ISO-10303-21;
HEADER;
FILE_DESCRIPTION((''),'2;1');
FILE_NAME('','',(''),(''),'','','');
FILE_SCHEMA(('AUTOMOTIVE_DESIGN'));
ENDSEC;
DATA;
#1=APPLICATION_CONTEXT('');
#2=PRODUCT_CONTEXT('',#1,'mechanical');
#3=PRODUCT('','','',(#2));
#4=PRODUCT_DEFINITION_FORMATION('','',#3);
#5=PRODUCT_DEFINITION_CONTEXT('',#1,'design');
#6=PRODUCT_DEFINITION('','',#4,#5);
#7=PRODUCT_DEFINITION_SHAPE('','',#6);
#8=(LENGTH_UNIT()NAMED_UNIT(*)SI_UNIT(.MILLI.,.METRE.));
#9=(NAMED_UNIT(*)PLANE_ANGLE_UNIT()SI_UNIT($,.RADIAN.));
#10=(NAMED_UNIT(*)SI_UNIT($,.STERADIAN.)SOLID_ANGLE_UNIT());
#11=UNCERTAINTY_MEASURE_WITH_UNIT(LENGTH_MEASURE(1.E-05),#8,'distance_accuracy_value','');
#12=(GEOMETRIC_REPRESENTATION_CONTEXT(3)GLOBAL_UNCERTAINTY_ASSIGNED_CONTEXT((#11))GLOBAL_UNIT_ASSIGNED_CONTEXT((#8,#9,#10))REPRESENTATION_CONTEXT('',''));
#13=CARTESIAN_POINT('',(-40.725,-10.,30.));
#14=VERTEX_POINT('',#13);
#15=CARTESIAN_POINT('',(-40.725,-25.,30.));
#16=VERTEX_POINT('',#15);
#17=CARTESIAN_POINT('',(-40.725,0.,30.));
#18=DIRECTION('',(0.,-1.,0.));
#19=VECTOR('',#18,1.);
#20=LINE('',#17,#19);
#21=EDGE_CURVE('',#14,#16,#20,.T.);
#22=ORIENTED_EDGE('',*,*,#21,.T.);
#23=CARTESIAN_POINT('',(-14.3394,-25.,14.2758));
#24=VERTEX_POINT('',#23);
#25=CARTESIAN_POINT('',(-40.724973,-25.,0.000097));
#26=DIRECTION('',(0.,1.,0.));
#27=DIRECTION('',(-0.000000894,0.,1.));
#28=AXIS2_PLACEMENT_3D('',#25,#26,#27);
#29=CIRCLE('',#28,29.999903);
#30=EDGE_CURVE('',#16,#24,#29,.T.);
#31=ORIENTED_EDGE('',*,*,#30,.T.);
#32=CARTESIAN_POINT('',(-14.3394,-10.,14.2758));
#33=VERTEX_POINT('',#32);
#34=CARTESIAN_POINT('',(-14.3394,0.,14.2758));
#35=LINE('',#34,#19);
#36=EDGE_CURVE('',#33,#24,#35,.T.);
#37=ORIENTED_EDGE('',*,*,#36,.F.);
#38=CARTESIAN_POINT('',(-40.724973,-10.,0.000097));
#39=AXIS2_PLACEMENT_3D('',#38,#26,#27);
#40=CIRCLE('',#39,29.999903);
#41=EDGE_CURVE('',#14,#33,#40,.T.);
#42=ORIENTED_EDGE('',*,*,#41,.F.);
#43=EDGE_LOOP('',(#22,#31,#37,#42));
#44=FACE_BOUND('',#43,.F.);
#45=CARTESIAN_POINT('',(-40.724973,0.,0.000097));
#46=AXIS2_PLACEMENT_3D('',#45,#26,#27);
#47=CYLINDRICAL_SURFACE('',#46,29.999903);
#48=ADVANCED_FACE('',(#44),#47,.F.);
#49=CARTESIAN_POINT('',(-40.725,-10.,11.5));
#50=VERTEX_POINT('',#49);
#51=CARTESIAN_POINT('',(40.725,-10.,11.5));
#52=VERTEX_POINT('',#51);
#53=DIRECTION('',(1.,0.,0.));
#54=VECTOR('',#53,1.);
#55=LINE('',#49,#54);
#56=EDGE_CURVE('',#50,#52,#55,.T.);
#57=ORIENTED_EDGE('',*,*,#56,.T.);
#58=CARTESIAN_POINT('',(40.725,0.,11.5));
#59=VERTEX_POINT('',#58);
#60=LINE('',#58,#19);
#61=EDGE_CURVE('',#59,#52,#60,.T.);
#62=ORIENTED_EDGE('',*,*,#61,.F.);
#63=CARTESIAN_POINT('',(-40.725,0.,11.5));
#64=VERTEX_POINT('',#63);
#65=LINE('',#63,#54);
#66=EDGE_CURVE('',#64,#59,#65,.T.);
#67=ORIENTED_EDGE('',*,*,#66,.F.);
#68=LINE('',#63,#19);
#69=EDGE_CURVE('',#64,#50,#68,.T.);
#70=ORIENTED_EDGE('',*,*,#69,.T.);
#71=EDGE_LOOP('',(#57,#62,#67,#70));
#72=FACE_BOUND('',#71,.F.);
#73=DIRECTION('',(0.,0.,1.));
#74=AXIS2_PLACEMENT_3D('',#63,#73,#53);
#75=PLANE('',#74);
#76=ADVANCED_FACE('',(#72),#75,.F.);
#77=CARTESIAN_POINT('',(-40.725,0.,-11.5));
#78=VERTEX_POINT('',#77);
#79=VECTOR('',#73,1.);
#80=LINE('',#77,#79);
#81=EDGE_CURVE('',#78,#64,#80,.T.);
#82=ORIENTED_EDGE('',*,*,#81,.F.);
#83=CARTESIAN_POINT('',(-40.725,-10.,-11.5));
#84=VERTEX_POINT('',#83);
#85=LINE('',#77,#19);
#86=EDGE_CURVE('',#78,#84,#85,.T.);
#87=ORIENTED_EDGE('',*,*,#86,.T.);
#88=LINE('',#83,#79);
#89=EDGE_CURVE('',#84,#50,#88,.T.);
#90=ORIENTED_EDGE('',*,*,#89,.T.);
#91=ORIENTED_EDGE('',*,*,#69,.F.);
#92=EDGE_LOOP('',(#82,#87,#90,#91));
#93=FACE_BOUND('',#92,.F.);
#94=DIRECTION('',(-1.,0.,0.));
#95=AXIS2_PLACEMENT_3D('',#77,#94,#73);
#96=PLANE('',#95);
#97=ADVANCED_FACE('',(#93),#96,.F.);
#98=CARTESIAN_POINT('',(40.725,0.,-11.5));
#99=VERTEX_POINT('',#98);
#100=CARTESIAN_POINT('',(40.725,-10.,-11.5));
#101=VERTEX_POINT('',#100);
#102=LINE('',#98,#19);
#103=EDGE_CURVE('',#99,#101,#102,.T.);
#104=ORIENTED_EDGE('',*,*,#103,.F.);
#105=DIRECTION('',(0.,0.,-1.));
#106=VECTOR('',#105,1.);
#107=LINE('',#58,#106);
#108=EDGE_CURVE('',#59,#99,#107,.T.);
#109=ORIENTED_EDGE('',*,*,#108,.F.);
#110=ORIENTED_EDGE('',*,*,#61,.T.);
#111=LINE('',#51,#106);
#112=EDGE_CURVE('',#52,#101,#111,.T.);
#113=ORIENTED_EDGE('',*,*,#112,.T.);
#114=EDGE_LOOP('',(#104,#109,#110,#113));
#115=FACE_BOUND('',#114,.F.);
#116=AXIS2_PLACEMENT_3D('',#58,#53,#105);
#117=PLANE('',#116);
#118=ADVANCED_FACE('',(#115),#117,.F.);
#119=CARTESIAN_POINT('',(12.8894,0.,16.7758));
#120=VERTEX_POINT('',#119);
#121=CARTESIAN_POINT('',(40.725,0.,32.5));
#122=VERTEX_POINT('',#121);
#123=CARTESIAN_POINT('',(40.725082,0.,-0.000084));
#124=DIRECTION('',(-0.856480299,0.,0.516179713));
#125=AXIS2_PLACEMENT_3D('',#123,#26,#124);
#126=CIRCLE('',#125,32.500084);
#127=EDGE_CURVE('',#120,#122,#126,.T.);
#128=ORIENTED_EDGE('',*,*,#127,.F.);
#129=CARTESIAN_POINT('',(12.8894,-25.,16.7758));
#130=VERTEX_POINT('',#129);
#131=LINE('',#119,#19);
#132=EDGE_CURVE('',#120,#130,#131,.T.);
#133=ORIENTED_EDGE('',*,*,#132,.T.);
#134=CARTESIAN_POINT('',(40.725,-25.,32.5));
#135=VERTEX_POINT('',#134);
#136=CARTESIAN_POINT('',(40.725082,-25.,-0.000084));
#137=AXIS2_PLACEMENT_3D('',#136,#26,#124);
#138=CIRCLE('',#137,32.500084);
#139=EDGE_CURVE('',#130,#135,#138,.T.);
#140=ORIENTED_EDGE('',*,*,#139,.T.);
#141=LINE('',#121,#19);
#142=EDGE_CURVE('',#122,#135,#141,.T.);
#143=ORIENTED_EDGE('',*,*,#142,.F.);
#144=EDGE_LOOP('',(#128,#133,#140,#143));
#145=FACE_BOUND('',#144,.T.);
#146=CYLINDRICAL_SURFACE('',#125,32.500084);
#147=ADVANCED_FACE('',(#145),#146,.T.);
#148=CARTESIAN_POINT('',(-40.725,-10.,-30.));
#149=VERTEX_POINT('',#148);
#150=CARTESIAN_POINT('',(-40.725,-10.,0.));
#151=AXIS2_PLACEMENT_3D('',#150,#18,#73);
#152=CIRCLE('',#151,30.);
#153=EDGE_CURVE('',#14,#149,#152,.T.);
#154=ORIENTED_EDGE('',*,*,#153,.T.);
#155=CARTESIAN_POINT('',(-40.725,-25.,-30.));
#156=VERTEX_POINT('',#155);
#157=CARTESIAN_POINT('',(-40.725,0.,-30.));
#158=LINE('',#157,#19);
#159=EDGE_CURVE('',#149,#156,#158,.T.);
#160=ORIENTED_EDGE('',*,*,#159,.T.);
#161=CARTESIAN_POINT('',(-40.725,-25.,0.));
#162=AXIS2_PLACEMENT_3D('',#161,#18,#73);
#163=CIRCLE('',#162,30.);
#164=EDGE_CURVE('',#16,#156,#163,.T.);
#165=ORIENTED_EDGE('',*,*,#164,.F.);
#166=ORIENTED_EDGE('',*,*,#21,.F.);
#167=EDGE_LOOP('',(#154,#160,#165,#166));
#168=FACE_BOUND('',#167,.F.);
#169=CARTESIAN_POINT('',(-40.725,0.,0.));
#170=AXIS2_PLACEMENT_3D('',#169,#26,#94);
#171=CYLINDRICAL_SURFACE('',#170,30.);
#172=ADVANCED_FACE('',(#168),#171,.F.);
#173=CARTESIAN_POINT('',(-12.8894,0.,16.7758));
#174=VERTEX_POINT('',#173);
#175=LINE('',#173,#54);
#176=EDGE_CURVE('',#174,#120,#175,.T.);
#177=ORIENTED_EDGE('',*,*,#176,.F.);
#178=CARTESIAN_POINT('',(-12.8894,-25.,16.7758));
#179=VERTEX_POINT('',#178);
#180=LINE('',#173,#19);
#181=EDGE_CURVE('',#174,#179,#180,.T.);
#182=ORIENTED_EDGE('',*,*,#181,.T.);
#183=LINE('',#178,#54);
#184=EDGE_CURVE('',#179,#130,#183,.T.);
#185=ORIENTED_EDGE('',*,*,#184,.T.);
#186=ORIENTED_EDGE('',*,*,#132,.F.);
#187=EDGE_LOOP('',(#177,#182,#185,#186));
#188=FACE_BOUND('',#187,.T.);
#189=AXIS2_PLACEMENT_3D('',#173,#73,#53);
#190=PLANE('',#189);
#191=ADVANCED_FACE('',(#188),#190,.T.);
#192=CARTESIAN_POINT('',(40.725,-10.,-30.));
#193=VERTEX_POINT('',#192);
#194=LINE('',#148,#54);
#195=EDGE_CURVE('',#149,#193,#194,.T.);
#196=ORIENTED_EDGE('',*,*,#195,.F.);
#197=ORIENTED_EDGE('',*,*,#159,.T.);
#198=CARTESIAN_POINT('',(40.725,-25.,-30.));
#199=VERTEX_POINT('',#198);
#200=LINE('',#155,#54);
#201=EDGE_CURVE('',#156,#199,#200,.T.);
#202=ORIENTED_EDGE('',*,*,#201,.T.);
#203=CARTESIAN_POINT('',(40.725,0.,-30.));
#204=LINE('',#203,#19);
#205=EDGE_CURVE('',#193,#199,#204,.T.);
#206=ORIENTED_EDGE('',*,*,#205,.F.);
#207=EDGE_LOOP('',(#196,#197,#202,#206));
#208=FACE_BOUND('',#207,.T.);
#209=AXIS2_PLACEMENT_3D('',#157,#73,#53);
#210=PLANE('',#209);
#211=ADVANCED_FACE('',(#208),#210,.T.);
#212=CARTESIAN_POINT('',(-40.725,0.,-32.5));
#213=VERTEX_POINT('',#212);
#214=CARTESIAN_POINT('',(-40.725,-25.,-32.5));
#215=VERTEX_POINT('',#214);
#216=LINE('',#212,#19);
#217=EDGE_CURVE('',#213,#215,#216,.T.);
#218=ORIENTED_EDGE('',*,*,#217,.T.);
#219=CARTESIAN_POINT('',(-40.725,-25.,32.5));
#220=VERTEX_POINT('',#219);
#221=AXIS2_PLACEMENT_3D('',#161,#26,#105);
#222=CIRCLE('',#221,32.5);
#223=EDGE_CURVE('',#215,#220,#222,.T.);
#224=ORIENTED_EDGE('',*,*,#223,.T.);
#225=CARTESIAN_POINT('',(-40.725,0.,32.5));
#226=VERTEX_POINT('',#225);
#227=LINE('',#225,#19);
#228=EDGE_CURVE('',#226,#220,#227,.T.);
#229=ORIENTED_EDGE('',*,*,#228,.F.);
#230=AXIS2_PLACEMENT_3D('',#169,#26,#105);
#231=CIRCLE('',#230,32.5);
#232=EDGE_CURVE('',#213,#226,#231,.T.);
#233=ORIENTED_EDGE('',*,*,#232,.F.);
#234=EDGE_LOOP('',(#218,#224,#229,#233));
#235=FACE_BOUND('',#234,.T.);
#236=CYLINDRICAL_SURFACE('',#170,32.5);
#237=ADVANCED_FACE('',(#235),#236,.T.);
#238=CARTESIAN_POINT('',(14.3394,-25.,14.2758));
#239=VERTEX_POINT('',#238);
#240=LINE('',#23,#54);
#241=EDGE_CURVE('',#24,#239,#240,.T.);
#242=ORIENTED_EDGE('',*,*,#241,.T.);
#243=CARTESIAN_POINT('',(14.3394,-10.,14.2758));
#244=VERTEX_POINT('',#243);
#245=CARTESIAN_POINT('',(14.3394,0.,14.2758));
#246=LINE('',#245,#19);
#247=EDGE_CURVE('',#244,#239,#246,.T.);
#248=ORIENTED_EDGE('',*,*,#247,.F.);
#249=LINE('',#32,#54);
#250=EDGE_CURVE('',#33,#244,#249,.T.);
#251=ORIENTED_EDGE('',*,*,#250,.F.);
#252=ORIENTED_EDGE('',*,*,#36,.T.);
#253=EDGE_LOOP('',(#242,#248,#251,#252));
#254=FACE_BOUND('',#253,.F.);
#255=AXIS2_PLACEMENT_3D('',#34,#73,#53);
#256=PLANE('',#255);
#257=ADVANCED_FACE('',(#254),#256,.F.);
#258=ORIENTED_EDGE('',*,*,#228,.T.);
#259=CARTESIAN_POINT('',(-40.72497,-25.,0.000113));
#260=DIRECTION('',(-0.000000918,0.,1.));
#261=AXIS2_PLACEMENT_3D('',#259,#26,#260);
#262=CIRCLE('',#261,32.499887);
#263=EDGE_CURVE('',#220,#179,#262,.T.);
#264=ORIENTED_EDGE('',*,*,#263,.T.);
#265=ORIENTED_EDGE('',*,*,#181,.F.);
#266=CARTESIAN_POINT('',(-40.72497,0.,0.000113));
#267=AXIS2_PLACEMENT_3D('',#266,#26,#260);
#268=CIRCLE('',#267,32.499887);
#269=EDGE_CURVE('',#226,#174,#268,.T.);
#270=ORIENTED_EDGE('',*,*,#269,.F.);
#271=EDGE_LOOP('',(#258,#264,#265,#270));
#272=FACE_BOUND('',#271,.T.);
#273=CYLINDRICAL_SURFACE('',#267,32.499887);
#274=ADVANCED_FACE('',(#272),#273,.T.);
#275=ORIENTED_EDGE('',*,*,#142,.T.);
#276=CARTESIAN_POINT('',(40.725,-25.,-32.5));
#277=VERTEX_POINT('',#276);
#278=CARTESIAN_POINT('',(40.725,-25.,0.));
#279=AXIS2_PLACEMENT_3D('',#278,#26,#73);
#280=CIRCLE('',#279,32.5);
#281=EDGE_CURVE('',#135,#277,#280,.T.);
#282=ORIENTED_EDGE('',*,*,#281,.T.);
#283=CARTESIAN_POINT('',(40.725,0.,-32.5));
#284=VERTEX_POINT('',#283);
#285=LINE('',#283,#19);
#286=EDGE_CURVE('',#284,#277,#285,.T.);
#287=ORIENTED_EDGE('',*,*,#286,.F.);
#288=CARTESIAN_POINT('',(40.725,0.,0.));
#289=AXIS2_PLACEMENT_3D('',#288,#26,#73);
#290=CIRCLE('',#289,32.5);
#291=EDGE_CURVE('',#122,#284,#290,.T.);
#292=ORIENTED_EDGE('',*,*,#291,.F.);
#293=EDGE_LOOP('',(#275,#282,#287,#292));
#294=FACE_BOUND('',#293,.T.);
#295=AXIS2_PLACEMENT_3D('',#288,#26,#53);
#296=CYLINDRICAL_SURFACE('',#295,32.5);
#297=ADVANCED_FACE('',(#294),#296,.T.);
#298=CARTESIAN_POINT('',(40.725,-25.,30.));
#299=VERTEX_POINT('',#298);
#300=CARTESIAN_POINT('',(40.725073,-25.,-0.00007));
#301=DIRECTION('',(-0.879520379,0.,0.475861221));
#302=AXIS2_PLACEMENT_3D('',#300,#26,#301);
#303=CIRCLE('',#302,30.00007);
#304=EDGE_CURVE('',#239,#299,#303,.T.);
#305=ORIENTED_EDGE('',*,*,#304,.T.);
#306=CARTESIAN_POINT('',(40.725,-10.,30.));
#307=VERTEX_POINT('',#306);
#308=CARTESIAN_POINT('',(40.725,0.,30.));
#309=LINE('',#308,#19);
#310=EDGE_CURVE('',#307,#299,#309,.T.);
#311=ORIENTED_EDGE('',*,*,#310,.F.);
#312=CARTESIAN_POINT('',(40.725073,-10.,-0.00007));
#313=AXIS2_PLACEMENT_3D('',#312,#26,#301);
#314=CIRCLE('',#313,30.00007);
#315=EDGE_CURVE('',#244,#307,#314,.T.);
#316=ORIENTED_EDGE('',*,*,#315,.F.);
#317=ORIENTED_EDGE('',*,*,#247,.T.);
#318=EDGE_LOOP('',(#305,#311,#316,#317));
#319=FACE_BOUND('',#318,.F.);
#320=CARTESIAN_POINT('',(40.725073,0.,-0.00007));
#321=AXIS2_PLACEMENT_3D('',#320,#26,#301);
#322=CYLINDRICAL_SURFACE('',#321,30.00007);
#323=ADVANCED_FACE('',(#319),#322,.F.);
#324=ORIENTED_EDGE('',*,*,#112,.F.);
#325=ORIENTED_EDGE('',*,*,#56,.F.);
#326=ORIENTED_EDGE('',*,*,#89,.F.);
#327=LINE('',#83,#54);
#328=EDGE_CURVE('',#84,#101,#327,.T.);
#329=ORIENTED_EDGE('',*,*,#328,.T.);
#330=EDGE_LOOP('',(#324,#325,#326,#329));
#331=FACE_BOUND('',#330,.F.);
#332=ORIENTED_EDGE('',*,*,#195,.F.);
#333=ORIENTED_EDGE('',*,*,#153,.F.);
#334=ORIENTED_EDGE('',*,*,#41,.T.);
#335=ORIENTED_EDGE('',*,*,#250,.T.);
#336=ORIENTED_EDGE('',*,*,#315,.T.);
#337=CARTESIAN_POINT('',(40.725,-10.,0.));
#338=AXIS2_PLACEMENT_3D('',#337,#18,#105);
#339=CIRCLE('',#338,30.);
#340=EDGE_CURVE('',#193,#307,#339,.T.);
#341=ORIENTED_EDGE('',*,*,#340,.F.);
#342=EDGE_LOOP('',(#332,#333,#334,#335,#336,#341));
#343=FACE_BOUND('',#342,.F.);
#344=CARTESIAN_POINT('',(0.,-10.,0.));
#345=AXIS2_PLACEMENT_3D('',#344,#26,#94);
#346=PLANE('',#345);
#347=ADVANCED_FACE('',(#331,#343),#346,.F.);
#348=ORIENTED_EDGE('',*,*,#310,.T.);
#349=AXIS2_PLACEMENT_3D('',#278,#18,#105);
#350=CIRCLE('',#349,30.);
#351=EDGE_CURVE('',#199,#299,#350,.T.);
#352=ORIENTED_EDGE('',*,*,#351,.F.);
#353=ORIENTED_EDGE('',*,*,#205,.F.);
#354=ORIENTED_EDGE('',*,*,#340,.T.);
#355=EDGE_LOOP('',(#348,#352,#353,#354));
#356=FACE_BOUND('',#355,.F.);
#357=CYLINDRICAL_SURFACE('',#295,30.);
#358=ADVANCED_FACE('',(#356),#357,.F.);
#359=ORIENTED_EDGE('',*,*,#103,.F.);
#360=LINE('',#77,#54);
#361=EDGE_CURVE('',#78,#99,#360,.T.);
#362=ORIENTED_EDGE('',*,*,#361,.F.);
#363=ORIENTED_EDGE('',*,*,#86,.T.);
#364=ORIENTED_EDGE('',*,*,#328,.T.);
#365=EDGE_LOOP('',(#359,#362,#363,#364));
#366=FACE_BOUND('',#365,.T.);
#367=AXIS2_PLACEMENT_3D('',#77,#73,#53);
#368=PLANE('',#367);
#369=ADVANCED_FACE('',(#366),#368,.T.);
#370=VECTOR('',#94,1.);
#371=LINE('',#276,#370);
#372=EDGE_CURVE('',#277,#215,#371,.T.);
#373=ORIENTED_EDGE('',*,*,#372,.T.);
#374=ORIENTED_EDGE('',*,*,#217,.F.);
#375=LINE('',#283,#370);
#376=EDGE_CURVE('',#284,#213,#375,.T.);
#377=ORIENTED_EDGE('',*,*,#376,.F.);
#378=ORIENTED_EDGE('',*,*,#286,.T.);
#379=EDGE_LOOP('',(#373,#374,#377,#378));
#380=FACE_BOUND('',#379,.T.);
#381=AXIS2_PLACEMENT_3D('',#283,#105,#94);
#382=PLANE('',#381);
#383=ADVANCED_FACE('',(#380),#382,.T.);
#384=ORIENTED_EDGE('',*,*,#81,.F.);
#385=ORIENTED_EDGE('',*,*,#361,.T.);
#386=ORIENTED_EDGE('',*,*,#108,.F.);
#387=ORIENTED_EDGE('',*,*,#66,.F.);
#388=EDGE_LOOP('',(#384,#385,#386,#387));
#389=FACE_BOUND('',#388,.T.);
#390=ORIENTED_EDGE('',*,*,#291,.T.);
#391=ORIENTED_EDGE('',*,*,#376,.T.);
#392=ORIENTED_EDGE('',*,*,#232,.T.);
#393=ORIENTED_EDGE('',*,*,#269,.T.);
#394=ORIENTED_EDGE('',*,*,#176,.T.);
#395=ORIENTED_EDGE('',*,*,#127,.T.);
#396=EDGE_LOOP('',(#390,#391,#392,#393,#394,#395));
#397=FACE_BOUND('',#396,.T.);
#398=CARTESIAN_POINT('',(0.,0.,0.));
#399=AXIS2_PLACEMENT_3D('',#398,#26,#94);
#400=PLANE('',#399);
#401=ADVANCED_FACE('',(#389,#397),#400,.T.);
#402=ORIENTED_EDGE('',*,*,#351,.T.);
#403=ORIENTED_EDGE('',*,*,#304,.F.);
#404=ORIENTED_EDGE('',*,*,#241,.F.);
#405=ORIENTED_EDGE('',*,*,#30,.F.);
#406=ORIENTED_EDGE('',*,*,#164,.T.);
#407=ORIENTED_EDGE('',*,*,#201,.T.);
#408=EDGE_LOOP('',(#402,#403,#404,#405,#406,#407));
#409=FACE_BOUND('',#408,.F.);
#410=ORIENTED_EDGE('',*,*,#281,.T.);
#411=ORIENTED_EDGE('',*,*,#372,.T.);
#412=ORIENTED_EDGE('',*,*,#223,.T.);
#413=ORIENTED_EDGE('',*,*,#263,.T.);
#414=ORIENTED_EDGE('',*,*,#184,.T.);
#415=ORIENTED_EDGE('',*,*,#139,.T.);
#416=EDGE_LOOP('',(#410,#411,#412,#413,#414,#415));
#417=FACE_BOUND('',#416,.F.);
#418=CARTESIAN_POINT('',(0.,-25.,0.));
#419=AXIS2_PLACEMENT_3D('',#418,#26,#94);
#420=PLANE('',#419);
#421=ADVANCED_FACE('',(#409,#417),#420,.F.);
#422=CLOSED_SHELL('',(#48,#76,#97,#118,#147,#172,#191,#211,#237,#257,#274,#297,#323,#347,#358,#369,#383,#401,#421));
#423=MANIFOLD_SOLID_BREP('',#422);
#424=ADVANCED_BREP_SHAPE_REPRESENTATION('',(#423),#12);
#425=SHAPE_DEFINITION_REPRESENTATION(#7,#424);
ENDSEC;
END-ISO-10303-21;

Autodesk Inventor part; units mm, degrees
ref_plane "YZ Plane" through (0, 0, 0) normal (1, 0, 0) x (0, 1, 0)
ref_plane "XZ Plane" through (0, 0, 0) normal (0, 1, 0) x (-1, 0, 0)
sketch "Sketch1" plane through (0, 0, 0) normal (0, 1, 0) x (-1, 0, 0)
  line L0 (0, 0) -> (0, -22.1379) construction
  line L1 (0, 0) -> (0, 22.1379) construction
  line L2 (0, 0) -> (40.725, 0) construction
  line L3 (0, 0) -> (-40.725, 0) construction
  circle A0 centre (-40.725, 0) radius 30 construction
  circle A1 centre (-40.725, 0) radius 32.5 construction
  circle A2 centre (40.725, 0) radius 30 construction
  circle A3 centre (40.725, 0) radius 32.5 construction
  line L4 (40.725, -30) -> (40.725, 30) construction
  line L5 (40.725, -30) -> (40.725, -32.5) construction
  line L6 (40.725, 30) -> (40.725, 32.5) construction
  line L7 (-40.725, 30) -> (-40.725, -30) construction
  line L8 (-40.725, -32.5) -> (-40.725, -30) construction
  line L9 (-40.725, 30) -> (-40.725, 32.5) construction
  line L10 (40.725, -32.5) -> (-40.725, -32.5) construction
  line L11 (40.725, -30) -> (-40.725, -30) construction
  line L12 (40.725, 32.5) -> (40.725, 14.2758) construction
  line L13 (40.725, 14.2758) -> (-40.725, 14.2758) construction
  line L14 (40.725, 32.5) -> (40.725, 16.7758) construction
  line L15 (40.725, 16.7758) -> (-40.725, 16.7758) construction
  arc A4 (40.725, -30) -> (70.725, 0) centre (40.725, 0) ccw
  arc A5 (70.725, 0) -> (40.725, 30) centre (40.725, 0) ccw
  arc A6 (40.725, 32.5) -> (12.8894, 16.7758) centre (40.725, 0) ccw
  arc A7 (73.225, 0) -> (40.725, 32.5) centre (40.725, 0) ccw
  arc A8 (40.725, -32.5) -> (73.225, 0) centre (40.725, 0) ccw
  line L16 (40.725, -30) -> (-40.725, -30)
  line L17 (-40.725, -32.5) -> (40.725, -32.5)
  line L18 (12.8894, 16.7758) -> (-12.8894, 16.7758)
  line L19 (14.3394, 14.2758) -> (-14.3394, 14.2758)
  arc A9 (40.725, 30) -> (14.3394, 14.2758) centre (40.725, 0) ccw
  arc A10 (-12.8894, 16.7758) -> (-40.725, 32.5) centre (-40.725, 0) ccw
  arc A11 (-14.3394, 14.2758) -> (-40.725, 30) centre (-40.725, 0) ccw
  arc A12 (-40.725, 30) -> (-70.725, 0) centre (-40.725, 0) ccw
  arc A13 (-40.725, 32.5) -> (-73.225, 0) centre (-40.725, 0) ccw
  arc A14 (-70.725, 0) -> (-40.725, -30) centre (-40.725, 0) ccw
  arc A15 (-73.225, 0) -> (-40.725, -32.5) centre (-40.725, 0) ccw
  line L20 (0, 0) -> (39, 0) construction
  line L21 (0, 0) -> (-39, 0) construction
  line L22 (40.725, 0) -> (40.725, -11.5) construction
  line L23 (40.725, 0) -> (40.725, 11.5) construction
  line L24 (-40.725, 0) -> (-40.725, -11.5) construction
  line L25 (-40.725, 0) -> (-40.725, 11.5) construction
  line L26 (40.725, -11.5) -> (-40.725, -11.5)
  line L27 (40.725, 11.5) -> (-40.725, 11.5)
  line L28 (-40.725, 11.5) -> (-40.725, -11.5)
  line L29 (40.725, -11.5) -> (40.725, 11.5)
  dimension "d0" = 22.1379
  dimension "d1" = 22.1379
  dimension "d2" = 40.725
  dimension "d3" = 40.725
  dimension "d4" = 60
  dimension "d5" = 65
  dimension "d6" = 60
  dimension "d7" = 65
  dimension "d8" = 18.2242
  dimension "d9" = 15.7241
  dimension "d10" = 39
  dimension "d11" = 39
  dimension "d12" = 11.5
  dimension "d13" = 11.5
  dimension "d14" = 11.5
  dimension "d15" = 11.5
extrude "Extrusion1" add sketch "Sketch1" against normal blind 10 contours L16 A14 A12 A11 L19 A9 A5 A4
extrude "Extrusion2" add sketch "Sketch1" against normal blind 25 contours A7 A8 L17 A15 A13 A10 L18 A6
ref_plane "Work Plane1" through (0, -25, 0) normal (0, -1, 0) x (1, 0, 0)
properties part number "con_v8_d1_back_3DPrint"
